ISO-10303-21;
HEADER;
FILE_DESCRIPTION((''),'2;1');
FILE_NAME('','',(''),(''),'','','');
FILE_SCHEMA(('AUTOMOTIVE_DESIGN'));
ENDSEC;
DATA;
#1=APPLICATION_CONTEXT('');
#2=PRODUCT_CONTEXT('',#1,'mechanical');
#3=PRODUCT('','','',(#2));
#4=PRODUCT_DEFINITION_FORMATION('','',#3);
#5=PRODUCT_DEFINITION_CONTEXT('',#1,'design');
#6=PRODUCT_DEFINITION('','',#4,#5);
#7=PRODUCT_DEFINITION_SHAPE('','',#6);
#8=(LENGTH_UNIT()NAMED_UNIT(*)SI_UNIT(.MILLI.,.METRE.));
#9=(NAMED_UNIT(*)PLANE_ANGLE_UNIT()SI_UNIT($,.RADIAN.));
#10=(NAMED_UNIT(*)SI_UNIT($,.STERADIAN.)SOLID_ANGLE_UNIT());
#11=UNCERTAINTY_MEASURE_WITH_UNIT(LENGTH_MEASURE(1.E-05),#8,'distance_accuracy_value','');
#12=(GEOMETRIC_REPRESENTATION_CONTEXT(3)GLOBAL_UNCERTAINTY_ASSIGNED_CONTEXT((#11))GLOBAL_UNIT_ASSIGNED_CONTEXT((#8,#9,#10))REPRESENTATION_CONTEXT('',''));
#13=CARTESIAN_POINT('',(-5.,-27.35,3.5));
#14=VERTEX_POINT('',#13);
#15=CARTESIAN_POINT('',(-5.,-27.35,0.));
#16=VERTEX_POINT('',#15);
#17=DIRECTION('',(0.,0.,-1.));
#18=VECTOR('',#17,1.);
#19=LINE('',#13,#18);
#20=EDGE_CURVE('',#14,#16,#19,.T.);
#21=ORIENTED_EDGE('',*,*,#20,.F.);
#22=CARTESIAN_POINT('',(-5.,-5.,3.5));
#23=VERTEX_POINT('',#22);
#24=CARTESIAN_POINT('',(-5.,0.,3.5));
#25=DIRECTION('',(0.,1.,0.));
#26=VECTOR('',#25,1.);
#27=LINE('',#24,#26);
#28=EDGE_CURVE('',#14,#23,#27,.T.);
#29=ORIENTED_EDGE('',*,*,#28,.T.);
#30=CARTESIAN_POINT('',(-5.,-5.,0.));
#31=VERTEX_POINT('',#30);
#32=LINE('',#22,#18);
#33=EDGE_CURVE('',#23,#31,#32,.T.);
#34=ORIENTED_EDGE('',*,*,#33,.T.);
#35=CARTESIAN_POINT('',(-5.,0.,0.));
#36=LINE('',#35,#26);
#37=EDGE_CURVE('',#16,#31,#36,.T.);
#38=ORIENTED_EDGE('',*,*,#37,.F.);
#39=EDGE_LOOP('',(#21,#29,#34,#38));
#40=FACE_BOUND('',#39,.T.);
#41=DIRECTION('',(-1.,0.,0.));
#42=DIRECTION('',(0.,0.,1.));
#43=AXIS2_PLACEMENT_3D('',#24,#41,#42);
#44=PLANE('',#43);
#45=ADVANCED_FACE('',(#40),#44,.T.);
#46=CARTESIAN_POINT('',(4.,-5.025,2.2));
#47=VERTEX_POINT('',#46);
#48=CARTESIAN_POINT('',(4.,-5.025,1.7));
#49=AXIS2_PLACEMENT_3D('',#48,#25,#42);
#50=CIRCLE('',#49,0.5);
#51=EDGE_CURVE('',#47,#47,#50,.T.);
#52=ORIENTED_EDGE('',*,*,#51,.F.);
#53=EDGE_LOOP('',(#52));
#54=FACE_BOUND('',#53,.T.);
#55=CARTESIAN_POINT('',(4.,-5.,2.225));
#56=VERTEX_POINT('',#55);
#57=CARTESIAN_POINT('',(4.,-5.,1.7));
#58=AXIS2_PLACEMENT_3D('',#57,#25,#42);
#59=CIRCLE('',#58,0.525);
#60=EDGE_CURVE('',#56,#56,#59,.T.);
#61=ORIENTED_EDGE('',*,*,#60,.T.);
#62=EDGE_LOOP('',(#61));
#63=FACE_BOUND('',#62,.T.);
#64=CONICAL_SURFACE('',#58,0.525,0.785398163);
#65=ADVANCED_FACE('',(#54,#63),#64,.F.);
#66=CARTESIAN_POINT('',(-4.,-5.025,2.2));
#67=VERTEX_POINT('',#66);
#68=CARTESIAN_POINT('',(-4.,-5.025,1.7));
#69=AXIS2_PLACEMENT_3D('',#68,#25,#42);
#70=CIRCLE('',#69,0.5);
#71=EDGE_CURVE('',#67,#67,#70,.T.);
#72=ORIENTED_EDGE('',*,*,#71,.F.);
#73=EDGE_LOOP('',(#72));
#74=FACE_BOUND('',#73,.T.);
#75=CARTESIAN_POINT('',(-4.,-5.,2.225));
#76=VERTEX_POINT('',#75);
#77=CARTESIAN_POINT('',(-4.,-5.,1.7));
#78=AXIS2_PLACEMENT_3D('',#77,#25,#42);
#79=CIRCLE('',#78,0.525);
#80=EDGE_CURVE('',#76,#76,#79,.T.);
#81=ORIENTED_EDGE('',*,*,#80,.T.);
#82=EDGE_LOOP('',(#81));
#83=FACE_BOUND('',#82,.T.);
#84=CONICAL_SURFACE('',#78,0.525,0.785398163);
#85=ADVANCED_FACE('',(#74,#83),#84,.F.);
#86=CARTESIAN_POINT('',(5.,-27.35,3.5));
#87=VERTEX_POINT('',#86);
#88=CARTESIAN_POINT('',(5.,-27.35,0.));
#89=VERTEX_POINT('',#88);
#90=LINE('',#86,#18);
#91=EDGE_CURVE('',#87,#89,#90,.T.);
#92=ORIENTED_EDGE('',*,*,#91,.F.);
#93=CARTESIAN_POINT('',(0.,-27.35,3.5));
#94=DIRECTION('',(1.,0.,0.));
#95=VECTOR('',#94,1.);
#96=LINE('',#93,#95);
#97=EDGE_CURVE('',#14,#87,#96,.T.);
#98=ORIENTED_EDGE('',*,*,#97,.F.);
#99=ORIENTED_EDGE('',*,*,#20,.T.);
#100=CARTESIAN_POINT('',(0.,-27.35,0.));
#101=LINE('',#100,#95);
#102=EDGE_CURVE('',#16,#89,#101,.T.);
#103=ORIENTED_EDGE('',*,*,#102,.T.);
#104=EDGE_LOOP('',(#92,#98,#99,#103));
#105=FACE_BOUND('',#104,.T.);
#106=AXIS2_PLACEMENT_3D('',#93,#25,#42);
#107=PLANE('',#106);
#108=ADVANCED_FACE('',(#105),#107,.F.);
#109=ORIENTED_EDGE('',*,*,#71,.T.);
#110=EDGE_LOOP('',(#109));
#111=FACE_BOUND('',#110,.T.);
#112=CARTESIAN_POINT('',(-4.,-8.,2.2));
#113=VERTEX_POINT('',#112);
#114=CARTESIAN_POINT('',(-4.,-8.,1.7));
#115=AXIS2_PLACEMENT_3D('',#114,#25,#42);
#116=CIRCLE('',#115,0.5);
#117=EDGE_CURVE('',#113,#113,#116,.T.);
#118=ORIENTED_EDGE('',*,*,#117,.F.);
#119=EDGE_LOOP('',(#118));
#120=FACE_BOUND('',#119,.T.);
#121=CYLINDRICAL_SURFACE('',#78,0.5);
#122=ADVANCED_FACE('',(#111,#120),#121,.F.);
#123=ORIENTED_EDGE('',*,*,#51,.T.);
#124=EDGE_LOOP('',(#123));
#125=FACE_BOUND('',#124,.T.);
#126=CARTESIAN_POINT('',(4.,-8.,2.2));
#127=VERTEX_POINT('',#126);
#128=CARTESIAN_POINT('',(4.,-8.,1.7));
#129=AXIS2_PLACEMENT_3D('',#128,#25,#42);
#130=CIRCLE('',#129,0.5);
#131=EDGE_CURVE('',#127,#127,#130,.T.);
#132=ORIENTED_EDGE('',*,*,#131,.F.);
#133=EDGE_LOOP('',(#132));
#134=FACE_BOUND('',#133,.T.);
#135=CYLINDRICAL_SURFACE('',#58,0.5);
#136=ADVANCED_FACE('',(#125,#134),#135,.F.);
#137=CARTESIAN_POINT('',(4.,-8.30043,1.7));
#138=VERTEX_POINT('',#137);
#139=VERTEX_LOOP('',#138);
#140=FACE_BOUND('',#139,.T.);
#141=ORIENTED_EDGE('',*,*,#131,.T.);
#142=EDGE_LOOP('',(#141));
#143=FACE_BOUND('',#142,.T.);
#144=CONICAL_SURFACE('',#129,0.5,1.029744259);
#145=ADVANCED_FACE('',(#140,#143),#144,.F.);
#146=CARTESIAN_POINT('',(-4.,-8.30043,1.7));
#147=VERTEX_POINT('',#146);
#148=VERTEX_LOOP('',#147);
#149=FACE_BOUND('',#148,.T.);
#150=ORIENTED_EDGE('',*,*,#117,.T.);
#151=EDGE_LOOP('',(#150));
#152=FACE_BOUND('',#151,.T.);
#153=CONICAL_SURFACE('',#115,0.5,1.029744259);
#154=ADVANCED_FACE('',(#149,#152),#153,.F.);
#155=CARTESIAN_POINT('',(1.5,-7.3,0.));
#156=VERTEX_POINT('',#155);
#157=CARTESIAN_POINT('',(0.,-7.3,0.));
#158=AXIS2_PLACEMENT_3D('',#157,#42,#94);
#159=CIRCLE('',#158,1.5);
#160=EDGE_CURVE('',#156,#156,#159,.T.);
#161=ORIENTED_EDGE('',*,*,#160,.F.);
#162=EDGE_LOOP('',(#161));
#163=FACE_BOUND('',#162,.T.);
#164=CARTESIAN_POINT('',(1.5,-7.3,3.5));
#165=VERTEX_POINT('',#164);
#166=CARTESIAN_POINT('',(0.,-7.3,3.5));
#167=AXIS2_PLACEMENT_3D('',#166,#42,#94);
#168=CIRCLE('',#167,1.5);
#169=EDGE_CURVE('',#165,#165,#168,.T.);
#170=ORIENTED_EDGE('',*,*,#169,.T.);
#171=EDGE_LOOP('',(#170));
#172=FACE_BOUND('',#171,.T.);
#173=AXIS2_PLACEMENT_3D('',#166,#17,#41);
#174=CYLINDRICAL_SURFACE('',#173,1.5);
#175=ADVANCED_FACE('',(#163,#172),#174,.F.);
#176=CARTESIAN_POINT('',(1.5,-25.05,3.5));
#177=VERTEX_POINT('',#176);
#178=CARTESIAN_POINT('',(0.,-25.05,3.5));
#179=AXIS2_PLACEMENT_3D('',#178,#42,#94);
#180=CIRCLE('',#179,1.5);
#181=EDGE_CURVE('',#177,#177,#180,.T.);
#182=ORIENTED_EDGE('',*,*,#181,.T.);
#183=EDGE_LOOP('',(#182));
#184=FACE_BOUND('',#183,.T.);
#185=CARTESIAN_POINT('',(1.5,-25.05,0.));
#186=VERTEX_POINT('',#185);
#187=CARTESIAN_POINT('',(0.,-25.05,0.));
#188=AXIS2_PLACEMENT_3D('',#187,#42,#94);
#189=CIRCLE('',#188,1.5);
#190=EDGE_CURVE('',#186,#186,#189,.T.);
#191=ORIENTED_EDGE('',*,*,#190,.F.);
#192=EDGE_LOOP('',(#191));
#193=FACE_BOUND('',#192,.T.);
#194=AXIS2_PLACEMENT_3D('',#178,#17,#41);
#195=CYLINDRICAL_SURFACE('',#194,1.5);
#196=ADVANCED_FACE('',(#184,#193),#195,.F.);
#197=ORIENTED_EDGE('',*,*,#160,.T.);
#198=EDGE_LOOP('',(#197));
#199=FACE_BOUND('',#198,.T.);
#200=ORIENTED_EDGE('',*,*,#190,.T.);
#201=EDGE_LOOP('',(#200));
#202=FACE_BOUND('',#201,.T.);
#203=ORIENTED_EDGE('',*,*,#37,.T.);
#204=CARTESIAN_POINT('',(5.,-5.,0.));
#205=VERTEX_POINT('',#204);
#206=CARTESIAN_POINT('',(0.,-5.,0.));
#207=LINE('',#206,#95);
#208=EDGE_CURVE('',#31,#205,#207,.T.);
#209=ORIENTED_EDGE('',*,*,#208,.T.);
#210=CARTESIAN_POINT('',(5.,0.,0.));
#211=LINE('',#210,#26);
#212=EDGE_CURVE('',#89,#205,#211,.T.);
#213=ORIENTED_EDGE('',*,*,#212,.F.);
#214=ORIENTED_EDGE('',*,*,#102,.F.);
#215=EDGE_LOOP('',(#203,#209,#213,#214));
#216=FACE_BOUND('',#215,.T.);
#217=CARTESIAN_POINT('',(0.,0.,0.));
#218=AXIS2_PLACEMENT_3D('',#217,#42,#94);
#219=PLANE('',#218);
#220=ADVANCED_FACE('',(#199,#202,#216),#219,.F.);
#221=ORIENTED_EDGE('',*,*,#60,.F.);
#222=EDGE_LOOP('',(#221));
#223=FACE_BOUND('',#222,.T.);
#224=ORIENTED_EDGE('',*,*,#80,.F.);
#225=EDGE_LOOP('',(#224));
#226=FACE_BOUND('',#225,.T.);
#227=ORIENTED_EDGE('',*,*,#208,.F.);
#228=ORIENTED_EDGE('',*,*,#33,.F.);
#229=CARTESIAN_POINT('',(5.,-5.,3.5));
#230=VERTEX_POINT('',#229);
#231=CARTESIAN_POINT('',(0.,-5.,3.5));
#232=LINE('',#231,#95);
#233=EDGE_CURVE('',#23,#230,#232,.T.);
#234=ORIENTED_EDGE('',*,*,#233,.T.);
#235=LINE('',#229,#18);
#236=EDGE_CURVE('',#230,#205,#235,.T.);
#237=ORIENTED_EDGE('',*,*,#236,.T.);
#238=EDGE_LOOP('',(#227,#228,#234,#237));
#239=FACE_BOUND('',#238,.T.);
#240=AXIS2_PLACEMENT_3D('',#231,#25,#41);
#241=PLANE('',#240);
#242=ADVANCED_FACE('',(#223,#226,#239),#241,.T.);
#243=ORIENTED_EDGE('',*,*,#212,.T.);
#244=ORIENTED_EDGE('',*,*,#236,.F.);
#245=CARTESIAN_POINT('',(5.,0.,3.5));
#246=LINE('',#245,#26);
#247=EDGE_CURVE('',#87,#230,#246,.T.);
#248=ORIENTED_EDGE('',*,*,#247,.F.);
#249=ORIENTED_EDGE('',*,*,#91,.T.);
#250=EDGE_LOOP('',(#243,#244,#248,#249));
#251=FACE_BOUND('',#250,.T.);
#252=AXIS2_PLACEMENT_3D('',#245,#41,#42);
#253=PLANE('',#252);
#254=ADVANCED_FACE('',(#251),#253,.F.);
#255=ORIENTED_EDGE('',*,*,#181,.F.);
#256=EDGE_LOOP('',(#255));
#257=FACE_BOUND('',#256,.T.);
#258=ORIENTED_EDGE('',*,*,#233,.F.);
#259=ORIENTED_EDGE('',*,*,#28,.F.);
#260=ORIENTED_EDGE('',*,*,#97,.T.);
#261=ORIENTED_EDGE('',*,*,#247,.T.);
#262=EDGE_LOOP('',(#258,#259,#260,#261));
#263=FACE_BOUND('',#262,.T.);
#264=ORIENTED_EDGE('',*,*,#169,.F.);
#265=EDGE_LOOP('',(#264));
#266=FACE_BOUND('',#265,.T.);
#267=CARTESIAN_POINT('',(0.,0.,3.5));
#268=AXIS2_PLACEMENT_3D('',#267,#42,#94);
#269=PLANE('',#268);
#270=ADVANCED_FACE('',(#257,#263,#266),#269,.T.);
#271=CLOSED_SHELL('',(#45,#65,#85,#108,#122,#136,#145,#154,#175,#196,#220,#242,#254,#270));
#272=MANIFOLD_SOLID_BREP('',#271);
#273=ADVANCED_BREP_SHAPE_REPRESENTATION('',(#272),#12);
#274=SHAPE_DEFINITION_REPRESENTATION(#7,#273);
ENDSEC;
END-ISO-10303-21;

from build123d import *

# Parameters (mm, degrees)
SKETCH2_W                       = 10
SKETCH2_H                       = 22.35
SKETCH2_R                       = 1.5
BOSS_EXTRUDE1_DEPTH             = 3.5
F_1_0MM_DOWEL_HOLE1_D           = 1
F_1_0MM_DOWEL_HOLE1_DEPTH       = 3
F_1_0MM_DOWEL_HOLE1_CSINK_D     = 1.05
F_1_0MM_DOWEL_HOLE1_CSINK_ANGLE = 90
F_1_0MM_DOWEL_HOLE1_TIP         = 0.30043031


with BuildPart() as part:
    # Sketch2 → Boss-Extrude1 (new body)
    with BuildSketch(Plane.XY):
        with Locations((0, -16.175)):
            Rectangle(SKETCH2_W, SKETCH2_H)
        with Locations((0, -7.3)):
            Circle(SKETCH2_R, mode=Mode.SUBTRACT)
        with Locations((0, -25.05)):
            Circle(SKETCH2_R, mode=Mode.SUBTRACT)
    extrude(amount=BOSS_EXTRUDE1_DEPTH)

    # Ø1.0mm Dowel Hole1
    with Locations(Plane(origin=(-4, -5, 1.7), x_dir=(1, 0, 0), z_dir=(0, 1, 0))):
        with Locations((0, 0), (8, 0)):
            CounterSinkHole(F_1_0MM_DOWEL_HOLE1_D / 2, F_1_0MM_DOWEL_HOLE1_CSINK_D / 2, depth=F_1_0MM_DOWEL_HOLE1_DEPTH, counter_sink_angle=F_1_0MM_DOWEL_HOLE1_CSINK_ANGLE)
            with Locations((0, 0, -(F_1_0MM_DOWEL_HOLE1_DEPTH + F_1_0MM_DOWEL_HOLE1_TIP / 2))):  # 118° drill point
                Cone(0, F_1_0MM_DOWEL_HOLE1_D / 2, F_1_0MM_DOWEL_HOLE1_TIP, mode=Mode.SUBTRACT)


solid = part.part
